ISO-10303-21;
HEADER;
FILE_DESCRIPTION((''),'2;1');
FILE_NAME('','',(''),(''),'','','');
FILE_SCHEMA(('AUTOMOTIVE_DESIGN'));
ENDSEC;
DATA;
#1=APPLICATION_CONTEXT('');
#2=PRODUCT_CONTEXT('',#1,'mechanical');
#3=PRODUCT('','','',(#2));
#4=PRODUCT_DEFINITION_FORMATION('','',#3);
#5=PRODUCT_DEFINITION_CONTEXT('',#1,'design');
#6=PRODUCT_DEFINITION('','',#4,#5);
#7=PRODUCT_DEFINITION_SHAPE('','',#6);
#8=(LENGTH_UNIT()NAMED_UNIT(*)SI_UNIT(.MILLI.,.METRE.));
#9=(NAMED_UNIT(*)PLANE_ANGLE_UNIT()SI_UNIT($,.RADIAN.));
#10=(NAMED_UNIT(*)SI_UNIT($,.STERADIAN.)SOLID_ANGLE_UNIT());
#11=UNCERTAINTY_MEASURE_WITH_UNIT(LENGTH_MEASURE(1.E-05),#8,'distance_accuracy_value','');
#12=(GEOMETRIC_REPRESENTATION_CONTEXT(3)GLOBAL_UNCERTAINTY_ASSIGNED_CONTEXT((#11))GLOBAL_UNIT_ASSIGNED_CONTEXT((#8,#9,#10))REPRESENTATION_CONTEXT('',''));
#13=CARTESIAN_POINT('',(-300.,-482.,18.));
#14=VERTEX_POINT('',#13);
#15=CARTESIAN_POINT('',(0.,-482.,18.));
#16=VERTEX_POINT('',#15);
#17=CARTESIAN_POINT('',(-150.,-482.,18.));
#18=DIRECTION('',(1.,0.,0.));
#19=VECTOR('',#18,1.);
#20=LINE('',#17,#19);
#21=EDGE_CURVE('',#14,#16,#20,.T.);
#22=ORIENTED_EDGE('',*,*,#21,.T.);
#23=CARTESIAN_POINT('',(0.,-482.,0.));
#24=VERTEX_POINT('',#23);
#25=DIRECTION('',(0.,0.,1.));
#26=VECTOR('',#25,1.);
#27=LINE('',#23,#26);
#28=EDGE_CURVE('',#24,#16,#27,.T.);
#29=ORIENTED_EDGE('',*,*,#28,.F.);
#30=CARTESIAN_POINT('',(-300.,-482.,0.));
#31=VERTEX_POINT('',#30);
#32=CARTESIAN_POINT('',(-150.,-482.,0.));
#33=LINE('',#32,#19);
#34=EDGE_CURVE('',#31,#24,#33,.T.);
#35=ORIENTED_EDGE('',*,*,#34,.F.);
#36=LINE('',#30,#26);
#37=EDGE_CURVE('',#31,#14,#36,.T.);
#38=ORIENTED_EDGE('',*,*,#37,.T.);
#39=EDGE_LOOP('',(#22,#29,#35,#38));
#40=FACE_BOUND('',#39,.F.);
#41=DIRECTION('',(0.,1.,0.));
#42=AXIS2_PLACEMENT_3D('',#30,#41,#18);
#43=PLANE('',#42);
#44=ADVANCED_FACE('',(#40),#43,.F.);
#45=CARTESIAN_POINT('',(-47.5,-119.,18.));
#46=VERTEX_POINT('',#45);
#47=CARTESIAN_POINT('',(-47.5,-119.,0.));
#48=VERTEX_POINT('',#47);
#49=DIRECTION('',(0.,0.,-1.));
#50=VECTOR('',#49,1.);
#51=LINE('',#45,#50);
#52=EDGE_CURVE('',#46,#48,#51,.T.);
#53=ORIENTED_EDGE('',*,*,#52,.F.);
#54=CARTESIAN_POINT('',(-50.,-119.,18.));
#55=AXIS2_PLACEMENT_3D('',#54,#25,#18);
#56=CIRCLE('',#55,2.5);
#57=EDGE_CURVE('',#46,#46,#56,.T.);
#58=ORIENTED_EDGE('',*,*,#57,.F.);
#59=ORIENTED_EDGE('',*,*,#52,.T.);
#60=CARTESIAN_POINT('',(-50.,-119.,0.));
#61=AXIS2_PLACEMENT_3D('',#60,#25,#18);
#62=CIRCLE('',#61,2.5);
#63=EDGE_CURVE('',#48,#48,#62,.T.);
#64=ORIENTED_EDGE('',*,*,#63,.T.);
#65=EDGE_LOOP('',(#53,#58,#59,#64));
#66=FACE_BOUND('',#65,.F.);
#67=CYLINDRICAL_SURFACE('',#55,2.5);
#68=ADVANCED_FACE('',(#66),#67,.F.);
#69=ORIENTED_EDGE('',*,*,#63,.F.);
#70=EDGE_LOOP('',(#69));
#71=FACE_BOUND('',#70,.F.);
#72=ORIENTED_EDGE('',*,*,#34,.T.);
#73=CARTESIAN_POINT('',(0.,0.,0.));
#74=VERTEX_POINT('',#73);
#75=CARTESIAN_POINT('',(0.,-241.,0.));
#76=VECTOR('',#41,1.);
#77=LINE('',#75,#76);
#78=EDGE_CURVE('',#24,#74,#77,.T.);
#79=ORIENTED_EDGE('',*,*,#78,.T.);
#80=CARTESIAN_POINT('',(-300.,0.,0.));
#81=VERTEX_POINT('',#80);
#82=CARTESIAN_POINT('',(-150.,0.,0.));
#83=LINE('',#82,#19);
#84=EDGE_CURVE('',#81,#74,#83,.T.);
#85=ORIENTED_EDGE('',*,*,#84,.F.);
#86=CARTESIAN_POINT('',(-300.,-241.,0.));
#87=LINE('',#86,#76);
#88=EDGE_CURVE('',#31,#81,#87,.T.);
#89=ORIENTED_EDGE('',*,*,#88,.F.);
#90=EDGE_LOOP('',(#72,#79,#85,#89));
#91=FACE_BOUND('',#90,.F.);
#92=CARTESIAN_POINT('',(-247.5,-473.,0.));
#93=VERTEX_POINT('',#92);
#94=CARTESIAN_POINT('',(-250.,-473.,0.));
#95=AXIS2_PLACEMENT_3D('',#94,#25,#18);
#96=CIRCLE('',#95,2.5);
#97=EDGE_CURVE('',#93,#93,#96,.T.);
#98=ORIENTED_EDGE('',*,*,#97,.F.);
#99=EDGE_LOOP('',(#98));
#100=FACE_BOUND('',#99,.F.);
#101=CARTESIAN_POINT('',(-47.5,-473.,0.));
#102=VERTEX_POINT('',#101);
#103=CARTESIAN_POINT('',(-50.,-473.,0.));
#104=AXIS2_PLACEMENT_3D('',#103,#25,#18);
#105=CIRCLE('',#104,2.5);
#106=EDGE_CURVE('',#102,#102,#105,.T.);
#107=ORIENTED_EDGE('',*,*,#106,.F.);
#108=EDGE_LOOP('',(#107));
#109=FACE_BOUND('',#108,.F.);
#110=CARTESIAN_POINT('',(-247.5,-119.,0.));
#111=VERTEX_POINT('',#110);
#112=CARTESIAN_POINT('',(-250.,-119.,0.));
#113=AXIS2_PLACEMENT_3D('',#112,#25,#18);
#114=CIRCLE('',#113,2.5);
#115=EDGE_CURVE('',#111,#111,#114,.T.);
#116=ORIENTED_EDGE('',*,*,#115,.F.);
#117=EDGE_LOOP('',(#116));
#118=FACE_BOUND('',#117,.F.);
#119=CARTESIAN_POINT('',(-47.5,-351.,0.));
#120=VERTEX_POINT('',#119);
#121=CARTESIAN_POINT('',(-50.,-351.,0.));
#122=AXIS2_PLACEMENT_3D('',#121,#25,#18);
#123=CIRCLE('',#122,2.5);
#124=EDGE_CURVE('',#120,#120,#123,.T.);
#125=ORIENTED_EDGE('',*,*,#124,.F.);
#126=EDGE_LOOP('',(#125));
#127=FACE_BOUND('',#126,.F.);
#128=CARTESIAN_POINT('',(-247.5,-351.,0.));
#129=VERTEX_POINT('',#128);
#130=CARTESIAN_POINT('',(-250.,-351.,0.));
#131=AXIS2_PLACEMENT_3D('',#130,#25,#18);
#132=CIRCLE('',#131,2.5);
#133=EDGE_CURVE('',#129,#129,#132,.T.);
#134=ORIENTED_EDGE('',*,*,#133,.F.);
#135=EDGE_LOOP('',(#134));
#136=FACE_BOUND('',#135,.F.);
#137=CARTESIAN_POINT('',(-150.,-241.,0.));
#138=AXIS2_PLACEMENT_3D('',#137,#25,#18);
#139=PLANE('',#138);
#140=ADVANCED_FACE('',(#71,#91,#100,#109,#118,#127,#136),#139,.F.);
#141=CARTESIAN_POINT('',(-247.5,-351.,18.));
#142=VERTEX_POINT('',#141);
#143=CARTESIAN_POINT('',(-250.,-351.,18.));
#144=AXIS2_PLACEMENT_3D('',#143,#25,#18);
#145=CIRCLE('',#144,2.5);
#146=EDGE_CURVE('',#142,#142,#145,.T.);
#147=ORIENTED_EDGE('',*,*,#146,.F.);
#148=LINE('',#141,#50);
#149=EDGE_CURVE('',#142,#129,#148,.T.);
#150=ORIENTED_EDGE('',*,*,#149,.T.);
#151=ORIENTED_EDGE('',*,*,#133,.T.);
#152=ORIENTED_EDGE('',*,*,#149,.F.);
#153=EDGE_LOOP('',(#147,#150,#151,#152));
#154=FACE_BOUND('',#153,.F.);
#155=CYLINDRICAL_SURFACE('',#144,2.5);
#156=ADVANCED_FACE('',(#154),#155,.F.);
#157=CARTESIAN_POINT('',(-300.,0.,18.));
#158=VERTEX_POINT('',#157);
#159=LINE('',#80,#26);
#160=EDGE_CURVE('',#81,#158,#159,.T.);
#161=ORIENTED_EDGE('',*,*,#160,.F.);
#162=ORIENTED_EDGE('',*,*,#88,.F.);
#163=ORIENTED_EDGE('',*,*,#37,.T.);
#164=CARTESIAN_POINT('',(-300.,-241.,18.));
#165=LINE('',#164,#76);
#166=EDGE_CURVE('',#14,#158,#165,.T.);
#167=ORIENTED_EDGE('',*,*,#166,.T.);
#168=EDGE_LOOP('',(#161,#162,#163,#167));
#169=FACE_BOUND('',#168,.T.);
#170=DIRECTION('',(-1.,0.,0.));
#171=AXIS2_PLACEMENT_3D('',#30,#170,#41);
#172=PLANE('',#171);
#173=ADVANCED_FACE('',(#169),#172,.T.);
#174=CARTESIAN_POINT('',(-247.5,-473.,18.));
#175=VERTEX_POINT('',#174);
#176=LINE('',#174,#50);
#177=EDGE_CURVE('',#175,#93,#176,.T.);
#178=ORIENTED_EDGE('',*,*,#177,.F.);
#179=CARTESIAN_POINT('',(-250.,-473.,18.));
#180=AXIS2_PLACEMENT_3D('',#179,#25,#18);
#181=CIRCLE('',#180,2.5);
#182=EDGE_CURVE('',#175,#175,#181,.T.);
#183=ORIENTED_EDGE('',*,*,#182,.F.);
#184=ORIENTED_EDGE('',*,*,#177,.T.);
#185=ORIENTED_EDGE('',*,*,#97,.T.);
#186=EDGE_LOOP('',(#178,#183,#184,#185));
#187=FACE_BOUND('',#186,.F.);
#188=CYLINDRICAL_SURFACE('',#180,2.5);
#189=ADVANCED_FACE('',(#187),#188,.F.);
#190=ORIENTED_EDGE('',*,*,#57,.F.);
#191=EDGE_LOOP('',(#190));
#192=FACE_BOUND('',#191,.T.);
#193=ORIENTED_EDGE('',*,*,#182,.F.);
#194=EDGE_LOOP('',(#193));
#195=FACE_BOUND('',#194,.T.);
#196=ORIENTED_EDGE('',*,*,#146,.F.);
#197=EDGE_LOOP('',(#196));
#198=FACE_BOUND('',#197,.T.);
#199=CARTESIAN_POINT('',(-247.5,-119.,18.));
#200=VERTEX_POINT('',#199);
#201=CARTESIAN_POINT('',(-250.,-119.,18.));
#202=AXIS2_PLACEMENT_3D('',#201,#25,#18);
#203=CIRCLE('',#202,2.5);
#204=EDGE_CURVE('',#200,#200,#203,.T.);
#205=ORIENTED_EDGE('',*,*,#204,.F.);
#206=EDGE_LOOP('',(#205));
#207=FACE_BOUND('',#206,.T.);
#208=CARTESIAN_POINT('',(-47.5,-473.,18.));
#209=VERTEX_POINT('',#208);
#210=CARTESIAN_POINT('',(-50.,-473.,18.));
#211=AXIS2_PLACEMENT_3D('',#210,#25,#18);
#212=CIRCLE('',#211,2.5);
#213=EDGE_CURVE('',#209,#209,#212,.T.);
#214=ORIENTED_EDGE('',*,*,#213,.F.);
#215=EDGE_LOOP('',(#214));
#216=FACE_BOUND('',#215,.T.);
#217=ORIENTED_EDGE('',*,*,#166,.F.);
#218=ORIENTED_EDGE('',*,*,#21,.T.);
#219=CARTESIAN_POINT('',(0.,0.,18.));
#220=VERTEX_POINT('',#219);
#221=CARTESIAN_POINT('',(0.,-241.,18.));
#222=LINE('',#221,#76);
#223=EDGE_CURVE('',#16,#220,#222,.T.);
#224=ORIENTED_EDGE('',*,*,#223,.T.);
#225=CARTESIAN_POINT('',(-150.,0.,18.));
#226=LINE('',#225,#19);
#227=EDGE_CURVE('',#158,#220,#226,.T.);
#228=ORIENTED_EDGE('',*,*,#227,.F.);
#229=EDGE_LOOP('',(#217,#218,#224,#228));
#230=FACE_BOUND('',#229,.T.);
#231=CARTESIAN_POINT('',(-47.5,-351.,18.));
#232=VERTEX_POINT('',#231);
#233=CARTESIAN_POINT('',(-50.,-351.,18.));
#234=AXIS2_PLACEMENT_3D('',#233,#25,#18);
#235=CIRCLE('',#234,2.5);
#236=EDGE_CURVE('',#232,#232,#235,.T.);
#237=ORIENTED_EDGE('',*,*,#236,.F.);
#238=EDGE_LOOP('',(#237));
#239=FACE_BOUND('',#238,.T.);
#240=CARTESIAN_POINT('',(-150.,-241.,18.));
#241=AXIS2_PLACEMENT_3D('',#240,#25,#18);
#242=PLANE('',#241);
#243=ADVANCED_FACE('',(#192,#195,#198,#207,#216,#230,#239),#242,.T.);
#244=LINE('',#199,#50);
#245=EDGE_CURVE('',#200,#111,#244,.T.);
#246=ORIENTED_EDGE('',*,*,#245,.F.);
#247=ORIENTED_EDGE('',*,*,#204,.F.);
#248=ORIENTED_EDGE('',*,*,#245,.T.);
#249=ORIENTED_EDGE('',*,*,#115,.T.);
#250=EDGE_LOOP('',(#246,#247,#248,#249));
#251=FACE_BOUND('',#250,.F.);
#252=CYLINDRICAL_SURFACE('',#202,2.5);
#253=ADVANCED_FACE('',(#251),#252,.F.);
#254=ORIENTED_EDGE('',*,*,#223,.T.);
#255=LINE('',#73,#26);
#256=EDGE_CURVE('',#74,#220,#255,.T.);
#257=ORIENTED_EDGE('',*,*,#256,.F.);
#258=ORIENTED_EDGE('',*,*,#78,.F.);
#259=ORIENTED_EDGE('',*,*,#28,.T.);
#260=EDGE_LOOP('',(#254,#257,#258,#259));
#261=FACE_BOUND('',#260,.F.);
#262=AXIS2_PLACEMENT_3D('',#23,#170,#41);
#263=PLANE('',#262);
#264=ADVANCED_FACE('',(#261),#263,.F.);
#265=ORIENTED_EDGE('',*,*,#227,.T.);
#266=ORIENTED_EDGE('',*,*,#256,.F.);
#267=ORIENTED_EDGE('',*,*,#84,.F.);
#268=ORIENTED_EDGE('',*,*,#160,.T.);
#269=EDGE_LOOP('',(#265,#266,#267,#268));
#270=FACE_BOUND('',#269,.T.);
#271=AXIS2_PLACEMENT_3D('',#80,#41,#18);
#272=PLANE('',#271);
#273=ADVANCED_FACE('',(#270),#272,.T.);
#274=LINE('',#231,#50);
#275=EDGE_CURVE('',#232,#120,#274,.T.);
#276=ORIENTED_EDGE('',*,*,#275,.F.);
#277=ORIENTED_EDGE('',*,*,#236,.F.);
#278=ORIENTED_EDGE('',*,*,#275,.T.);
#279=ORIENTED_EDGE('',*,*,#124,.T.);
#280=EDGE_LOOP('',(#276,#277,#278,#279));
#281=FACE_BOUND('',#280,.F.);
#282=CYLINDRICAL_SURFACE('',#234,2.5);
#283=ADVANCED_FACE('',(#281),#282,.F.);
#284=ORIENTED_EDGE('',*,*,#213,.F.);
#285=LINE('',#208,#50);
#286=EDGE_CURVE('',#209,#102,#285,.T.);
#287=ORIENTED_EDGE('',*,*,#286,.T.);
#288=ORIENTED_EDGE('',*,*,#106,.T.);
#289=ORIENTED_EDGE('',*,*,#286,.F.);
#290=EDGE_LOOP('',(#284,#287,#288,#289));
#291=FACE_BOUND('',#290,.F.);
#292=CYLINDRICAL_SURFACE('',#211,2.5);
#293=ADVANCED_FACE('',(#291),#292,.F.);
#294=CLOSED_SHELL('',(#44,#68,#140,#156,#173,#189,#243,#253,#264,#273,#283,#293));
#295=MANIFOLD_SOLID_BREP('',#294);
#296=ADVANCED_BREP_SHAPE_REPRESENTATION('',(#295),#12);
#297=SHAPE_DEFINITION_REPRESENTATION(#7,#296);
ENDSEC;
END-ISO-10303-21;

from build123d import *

# Parameters (mm, degrees)
F0_W     = 300
F0_H     = 482
F1_DEPTH = 18
F2_R     = 2.5
F3_DEPTH = 18


with BuildPart() as f1:
    # F0 (on Top) → F1 (new body)
    with BuildSketch(Plane.XY):
        with Locations((-150, -241)):
            Rectangle(F0_W, F0_H)
    extrude(amount=F1_DEPTH)

    # F2 (on face) → F3 (cut)
    with BuildSketch(Plane.XY.offset(18)):
        with Locations((-250, -119)):
            Circle(F2_R)
        with Locations((-50, -119)):
            Circle(F2_R)
        with Locations((-250, -351)):
            Circle(F2_R)
        with Locations((-50, -351)):
            Circle(F2_R)
        with Locations((-250, -473)):
            Circle(F2_R)
        with Locations((-50, -473)):
            Circle(F2_R)
    extrude(amount=-F3_DEPTH, mode=Mode.SUBTRACT)


solid = f1.part
